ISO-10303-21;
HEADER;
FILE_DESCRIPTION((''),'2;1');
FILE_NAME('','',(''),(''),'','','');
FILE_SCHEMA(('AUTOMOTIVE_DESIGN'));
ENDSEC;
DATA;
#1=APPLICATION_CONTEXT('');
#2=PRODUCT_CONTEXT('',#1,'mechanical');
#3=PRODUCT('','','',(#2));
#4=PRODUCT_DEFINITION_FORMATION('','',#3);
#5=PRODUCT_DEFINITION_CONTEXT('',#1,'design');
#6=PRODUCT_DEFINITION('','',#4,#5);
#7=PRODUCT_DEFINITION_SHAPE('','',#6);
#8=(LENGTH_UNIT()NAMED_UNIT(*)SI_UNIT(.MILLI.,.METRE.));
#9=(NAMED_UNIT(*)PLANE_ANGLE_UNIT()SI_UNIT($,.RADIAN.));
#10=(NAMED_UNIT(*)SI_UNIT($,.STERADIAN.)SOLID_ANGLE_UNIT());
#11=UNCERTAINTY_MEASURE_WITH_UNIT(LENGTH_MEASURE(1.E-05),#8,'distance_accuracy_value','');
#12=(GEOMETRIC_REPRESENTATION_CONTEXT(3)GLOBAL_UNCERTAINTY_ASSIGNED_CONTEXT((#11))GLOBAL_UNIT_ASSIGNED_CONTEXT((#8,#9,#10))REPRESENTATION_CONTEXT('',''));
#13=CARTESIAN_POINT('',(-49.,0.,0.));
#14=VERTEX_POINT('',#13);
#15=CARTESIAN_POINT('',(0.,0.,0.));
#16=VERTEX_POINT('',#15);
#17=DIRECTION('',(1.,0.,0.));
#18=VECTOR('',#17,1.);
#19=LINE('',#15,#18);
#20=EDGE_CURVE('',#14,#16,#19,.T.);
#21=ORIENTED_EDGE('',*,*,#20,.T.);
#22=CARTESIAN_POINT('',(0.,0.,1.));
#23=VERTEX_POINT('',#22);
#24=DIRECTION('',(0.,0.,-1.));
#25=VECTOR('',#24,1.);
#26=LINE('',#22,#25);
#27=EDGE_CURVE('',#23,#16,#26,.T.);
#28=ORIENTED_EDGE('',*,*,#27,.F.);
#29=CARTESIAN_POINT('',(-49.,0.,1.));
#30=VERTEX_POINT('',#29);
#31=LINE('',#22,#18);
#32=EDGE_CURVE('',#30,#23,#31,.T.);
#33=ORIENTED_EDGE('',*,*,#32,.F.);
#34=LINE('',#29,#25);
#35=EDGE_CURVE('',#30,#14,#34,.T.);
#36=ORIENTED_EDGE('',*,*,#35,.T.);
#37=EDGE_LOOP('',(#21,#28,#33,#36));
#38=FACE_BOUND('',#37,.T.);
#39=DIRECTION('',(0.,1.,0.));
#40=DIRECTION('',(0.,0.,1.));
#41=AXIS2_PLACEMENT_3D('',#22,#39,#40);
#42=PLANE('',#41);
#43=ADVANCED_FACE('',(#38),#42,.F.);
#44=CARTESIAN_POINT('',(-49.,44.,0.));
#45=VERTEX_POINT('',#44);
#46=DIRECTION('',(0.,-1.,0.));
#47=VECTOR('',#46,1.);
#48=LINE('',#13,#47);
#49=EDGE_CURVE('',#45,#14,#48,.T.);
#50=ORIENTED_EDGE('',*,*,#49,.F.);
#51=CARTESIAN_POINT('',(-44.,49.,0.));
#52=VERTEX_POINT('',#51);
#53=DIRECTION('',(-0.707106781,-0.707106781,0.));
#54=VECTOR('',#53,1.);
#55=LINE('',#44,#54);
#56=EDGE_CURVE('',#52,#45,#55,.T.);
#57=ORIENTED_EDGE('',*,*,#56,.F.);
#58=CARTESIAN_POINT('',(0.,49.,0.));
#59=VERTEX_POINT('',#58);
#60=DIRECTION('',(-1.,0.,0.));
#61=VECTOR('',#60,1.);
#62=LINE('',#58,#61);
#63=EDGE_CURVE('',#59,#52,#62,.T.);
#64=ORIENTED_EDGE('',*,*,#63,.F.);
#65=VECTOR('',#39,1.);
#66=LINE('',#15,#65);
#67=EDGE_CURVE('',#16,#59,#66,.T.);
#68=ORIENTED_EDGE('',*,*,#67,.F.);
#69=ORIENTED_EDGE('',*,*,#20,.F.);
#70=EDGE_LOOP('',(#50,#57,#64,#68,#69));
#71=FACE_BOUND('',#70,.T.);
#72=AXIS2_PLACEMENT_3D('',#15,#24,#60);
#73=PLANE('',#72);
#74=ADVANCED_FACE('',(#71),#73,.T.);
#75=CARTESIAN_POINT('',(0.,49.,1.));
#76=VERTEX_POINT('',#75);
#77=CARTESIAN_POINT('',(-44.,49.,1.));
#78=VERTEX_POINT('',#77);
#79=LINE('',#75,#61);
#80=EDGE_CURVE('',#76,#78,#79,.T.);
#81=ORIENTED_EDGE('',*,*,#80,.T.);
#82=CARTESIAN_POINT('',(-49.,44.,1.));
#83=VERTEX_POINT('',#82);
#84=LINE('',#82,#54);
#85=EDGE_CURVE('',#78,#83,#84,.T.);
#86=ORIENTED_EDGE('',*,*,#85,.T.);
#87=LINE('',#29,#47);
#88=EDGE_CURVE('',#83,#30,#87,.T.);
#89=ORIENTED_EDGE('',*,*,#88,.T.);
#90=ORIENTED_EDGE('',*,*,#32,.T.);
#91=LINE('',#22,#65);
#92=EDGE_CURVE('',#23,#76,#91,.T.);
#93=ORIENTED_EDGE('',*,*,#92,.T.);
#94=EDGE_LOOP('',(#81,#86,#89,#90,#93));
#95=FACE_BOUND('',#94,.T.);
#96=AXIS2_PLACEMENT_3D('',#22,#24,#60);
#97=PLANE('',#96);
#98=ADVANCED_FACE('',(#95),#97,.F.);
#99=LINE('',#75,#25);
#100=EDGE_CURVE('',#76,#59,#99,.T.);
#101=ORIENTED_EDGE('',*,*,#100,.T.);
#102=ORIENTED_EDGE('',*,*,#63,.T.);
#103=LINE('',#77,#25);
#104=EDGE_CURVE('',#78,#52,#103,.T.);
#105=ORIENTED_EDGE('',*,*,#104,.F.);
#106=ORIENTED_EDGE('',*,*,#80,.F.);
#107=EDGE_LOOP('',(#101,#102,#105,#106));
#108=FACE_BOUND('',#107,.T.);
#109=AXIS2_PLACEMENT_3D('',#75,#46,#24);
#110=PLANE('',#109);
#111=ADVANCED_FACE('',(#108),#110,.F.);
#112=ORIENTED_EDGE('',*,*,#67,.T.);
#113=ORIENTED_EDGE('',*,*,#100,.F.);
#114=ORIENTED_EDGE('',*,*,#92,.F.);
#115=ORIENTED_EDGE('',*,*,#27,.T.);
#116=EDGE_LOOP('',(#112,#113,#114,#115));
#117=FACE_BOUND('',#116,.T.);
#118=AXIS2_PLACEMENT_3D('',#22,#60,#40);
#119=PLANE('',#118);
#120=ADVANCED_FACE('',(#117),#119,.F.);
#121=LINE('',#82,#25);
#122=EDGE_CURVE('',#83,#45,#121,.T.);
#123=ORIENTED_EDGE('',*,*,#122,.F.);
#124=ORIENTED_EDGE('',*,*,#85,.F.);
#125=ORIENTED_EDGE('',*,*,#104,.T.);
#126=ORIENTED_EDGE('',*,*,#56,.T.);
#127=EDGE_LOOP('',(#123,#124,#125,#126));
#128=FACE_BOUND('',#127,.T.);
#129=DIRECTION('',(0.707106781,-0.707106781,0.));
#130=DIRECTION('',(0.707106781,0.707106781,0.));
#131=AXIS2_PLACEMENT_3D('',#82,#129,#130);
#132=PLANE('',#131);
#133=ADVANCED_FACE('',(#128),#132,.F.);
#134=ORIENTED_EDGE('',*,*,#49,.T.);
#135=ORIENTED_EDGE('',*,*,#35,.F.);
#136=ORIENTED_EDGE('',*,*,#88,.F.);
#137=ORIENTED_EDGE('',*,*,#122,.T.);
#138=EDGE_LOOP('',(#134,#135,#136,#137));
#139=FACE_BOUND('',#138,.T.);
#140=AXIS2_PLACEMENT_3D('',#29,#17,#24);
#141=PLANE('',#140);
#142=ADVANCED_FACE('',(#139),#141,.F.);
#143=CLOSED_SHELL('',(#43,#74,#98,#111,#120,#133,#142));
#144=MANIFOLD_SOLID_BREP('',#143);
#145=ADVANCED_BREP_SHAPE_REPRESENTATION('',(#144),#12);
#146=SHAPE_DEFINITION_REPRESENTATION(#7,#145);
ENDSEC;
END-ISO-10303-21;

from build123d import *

# Parameters (mm, degrees)
BOSS_EXTRUDE1_DEPTH = 1


with BuildPart() as part:
    # Sketch1 → Boss-Extrude1 (new body)
    with BuildSketch(Plane(origin=(0, 0, 0), x_dir=(0, 1, 0), z_dir=(0, 0, 1))):
        Polygon((44, 49), (49, 44), (49, 0), (0, 0), (0, 49), align=None)
    extrude(amount=BOSS_EXTRUDE1_DEPTH)


solid = part.part
